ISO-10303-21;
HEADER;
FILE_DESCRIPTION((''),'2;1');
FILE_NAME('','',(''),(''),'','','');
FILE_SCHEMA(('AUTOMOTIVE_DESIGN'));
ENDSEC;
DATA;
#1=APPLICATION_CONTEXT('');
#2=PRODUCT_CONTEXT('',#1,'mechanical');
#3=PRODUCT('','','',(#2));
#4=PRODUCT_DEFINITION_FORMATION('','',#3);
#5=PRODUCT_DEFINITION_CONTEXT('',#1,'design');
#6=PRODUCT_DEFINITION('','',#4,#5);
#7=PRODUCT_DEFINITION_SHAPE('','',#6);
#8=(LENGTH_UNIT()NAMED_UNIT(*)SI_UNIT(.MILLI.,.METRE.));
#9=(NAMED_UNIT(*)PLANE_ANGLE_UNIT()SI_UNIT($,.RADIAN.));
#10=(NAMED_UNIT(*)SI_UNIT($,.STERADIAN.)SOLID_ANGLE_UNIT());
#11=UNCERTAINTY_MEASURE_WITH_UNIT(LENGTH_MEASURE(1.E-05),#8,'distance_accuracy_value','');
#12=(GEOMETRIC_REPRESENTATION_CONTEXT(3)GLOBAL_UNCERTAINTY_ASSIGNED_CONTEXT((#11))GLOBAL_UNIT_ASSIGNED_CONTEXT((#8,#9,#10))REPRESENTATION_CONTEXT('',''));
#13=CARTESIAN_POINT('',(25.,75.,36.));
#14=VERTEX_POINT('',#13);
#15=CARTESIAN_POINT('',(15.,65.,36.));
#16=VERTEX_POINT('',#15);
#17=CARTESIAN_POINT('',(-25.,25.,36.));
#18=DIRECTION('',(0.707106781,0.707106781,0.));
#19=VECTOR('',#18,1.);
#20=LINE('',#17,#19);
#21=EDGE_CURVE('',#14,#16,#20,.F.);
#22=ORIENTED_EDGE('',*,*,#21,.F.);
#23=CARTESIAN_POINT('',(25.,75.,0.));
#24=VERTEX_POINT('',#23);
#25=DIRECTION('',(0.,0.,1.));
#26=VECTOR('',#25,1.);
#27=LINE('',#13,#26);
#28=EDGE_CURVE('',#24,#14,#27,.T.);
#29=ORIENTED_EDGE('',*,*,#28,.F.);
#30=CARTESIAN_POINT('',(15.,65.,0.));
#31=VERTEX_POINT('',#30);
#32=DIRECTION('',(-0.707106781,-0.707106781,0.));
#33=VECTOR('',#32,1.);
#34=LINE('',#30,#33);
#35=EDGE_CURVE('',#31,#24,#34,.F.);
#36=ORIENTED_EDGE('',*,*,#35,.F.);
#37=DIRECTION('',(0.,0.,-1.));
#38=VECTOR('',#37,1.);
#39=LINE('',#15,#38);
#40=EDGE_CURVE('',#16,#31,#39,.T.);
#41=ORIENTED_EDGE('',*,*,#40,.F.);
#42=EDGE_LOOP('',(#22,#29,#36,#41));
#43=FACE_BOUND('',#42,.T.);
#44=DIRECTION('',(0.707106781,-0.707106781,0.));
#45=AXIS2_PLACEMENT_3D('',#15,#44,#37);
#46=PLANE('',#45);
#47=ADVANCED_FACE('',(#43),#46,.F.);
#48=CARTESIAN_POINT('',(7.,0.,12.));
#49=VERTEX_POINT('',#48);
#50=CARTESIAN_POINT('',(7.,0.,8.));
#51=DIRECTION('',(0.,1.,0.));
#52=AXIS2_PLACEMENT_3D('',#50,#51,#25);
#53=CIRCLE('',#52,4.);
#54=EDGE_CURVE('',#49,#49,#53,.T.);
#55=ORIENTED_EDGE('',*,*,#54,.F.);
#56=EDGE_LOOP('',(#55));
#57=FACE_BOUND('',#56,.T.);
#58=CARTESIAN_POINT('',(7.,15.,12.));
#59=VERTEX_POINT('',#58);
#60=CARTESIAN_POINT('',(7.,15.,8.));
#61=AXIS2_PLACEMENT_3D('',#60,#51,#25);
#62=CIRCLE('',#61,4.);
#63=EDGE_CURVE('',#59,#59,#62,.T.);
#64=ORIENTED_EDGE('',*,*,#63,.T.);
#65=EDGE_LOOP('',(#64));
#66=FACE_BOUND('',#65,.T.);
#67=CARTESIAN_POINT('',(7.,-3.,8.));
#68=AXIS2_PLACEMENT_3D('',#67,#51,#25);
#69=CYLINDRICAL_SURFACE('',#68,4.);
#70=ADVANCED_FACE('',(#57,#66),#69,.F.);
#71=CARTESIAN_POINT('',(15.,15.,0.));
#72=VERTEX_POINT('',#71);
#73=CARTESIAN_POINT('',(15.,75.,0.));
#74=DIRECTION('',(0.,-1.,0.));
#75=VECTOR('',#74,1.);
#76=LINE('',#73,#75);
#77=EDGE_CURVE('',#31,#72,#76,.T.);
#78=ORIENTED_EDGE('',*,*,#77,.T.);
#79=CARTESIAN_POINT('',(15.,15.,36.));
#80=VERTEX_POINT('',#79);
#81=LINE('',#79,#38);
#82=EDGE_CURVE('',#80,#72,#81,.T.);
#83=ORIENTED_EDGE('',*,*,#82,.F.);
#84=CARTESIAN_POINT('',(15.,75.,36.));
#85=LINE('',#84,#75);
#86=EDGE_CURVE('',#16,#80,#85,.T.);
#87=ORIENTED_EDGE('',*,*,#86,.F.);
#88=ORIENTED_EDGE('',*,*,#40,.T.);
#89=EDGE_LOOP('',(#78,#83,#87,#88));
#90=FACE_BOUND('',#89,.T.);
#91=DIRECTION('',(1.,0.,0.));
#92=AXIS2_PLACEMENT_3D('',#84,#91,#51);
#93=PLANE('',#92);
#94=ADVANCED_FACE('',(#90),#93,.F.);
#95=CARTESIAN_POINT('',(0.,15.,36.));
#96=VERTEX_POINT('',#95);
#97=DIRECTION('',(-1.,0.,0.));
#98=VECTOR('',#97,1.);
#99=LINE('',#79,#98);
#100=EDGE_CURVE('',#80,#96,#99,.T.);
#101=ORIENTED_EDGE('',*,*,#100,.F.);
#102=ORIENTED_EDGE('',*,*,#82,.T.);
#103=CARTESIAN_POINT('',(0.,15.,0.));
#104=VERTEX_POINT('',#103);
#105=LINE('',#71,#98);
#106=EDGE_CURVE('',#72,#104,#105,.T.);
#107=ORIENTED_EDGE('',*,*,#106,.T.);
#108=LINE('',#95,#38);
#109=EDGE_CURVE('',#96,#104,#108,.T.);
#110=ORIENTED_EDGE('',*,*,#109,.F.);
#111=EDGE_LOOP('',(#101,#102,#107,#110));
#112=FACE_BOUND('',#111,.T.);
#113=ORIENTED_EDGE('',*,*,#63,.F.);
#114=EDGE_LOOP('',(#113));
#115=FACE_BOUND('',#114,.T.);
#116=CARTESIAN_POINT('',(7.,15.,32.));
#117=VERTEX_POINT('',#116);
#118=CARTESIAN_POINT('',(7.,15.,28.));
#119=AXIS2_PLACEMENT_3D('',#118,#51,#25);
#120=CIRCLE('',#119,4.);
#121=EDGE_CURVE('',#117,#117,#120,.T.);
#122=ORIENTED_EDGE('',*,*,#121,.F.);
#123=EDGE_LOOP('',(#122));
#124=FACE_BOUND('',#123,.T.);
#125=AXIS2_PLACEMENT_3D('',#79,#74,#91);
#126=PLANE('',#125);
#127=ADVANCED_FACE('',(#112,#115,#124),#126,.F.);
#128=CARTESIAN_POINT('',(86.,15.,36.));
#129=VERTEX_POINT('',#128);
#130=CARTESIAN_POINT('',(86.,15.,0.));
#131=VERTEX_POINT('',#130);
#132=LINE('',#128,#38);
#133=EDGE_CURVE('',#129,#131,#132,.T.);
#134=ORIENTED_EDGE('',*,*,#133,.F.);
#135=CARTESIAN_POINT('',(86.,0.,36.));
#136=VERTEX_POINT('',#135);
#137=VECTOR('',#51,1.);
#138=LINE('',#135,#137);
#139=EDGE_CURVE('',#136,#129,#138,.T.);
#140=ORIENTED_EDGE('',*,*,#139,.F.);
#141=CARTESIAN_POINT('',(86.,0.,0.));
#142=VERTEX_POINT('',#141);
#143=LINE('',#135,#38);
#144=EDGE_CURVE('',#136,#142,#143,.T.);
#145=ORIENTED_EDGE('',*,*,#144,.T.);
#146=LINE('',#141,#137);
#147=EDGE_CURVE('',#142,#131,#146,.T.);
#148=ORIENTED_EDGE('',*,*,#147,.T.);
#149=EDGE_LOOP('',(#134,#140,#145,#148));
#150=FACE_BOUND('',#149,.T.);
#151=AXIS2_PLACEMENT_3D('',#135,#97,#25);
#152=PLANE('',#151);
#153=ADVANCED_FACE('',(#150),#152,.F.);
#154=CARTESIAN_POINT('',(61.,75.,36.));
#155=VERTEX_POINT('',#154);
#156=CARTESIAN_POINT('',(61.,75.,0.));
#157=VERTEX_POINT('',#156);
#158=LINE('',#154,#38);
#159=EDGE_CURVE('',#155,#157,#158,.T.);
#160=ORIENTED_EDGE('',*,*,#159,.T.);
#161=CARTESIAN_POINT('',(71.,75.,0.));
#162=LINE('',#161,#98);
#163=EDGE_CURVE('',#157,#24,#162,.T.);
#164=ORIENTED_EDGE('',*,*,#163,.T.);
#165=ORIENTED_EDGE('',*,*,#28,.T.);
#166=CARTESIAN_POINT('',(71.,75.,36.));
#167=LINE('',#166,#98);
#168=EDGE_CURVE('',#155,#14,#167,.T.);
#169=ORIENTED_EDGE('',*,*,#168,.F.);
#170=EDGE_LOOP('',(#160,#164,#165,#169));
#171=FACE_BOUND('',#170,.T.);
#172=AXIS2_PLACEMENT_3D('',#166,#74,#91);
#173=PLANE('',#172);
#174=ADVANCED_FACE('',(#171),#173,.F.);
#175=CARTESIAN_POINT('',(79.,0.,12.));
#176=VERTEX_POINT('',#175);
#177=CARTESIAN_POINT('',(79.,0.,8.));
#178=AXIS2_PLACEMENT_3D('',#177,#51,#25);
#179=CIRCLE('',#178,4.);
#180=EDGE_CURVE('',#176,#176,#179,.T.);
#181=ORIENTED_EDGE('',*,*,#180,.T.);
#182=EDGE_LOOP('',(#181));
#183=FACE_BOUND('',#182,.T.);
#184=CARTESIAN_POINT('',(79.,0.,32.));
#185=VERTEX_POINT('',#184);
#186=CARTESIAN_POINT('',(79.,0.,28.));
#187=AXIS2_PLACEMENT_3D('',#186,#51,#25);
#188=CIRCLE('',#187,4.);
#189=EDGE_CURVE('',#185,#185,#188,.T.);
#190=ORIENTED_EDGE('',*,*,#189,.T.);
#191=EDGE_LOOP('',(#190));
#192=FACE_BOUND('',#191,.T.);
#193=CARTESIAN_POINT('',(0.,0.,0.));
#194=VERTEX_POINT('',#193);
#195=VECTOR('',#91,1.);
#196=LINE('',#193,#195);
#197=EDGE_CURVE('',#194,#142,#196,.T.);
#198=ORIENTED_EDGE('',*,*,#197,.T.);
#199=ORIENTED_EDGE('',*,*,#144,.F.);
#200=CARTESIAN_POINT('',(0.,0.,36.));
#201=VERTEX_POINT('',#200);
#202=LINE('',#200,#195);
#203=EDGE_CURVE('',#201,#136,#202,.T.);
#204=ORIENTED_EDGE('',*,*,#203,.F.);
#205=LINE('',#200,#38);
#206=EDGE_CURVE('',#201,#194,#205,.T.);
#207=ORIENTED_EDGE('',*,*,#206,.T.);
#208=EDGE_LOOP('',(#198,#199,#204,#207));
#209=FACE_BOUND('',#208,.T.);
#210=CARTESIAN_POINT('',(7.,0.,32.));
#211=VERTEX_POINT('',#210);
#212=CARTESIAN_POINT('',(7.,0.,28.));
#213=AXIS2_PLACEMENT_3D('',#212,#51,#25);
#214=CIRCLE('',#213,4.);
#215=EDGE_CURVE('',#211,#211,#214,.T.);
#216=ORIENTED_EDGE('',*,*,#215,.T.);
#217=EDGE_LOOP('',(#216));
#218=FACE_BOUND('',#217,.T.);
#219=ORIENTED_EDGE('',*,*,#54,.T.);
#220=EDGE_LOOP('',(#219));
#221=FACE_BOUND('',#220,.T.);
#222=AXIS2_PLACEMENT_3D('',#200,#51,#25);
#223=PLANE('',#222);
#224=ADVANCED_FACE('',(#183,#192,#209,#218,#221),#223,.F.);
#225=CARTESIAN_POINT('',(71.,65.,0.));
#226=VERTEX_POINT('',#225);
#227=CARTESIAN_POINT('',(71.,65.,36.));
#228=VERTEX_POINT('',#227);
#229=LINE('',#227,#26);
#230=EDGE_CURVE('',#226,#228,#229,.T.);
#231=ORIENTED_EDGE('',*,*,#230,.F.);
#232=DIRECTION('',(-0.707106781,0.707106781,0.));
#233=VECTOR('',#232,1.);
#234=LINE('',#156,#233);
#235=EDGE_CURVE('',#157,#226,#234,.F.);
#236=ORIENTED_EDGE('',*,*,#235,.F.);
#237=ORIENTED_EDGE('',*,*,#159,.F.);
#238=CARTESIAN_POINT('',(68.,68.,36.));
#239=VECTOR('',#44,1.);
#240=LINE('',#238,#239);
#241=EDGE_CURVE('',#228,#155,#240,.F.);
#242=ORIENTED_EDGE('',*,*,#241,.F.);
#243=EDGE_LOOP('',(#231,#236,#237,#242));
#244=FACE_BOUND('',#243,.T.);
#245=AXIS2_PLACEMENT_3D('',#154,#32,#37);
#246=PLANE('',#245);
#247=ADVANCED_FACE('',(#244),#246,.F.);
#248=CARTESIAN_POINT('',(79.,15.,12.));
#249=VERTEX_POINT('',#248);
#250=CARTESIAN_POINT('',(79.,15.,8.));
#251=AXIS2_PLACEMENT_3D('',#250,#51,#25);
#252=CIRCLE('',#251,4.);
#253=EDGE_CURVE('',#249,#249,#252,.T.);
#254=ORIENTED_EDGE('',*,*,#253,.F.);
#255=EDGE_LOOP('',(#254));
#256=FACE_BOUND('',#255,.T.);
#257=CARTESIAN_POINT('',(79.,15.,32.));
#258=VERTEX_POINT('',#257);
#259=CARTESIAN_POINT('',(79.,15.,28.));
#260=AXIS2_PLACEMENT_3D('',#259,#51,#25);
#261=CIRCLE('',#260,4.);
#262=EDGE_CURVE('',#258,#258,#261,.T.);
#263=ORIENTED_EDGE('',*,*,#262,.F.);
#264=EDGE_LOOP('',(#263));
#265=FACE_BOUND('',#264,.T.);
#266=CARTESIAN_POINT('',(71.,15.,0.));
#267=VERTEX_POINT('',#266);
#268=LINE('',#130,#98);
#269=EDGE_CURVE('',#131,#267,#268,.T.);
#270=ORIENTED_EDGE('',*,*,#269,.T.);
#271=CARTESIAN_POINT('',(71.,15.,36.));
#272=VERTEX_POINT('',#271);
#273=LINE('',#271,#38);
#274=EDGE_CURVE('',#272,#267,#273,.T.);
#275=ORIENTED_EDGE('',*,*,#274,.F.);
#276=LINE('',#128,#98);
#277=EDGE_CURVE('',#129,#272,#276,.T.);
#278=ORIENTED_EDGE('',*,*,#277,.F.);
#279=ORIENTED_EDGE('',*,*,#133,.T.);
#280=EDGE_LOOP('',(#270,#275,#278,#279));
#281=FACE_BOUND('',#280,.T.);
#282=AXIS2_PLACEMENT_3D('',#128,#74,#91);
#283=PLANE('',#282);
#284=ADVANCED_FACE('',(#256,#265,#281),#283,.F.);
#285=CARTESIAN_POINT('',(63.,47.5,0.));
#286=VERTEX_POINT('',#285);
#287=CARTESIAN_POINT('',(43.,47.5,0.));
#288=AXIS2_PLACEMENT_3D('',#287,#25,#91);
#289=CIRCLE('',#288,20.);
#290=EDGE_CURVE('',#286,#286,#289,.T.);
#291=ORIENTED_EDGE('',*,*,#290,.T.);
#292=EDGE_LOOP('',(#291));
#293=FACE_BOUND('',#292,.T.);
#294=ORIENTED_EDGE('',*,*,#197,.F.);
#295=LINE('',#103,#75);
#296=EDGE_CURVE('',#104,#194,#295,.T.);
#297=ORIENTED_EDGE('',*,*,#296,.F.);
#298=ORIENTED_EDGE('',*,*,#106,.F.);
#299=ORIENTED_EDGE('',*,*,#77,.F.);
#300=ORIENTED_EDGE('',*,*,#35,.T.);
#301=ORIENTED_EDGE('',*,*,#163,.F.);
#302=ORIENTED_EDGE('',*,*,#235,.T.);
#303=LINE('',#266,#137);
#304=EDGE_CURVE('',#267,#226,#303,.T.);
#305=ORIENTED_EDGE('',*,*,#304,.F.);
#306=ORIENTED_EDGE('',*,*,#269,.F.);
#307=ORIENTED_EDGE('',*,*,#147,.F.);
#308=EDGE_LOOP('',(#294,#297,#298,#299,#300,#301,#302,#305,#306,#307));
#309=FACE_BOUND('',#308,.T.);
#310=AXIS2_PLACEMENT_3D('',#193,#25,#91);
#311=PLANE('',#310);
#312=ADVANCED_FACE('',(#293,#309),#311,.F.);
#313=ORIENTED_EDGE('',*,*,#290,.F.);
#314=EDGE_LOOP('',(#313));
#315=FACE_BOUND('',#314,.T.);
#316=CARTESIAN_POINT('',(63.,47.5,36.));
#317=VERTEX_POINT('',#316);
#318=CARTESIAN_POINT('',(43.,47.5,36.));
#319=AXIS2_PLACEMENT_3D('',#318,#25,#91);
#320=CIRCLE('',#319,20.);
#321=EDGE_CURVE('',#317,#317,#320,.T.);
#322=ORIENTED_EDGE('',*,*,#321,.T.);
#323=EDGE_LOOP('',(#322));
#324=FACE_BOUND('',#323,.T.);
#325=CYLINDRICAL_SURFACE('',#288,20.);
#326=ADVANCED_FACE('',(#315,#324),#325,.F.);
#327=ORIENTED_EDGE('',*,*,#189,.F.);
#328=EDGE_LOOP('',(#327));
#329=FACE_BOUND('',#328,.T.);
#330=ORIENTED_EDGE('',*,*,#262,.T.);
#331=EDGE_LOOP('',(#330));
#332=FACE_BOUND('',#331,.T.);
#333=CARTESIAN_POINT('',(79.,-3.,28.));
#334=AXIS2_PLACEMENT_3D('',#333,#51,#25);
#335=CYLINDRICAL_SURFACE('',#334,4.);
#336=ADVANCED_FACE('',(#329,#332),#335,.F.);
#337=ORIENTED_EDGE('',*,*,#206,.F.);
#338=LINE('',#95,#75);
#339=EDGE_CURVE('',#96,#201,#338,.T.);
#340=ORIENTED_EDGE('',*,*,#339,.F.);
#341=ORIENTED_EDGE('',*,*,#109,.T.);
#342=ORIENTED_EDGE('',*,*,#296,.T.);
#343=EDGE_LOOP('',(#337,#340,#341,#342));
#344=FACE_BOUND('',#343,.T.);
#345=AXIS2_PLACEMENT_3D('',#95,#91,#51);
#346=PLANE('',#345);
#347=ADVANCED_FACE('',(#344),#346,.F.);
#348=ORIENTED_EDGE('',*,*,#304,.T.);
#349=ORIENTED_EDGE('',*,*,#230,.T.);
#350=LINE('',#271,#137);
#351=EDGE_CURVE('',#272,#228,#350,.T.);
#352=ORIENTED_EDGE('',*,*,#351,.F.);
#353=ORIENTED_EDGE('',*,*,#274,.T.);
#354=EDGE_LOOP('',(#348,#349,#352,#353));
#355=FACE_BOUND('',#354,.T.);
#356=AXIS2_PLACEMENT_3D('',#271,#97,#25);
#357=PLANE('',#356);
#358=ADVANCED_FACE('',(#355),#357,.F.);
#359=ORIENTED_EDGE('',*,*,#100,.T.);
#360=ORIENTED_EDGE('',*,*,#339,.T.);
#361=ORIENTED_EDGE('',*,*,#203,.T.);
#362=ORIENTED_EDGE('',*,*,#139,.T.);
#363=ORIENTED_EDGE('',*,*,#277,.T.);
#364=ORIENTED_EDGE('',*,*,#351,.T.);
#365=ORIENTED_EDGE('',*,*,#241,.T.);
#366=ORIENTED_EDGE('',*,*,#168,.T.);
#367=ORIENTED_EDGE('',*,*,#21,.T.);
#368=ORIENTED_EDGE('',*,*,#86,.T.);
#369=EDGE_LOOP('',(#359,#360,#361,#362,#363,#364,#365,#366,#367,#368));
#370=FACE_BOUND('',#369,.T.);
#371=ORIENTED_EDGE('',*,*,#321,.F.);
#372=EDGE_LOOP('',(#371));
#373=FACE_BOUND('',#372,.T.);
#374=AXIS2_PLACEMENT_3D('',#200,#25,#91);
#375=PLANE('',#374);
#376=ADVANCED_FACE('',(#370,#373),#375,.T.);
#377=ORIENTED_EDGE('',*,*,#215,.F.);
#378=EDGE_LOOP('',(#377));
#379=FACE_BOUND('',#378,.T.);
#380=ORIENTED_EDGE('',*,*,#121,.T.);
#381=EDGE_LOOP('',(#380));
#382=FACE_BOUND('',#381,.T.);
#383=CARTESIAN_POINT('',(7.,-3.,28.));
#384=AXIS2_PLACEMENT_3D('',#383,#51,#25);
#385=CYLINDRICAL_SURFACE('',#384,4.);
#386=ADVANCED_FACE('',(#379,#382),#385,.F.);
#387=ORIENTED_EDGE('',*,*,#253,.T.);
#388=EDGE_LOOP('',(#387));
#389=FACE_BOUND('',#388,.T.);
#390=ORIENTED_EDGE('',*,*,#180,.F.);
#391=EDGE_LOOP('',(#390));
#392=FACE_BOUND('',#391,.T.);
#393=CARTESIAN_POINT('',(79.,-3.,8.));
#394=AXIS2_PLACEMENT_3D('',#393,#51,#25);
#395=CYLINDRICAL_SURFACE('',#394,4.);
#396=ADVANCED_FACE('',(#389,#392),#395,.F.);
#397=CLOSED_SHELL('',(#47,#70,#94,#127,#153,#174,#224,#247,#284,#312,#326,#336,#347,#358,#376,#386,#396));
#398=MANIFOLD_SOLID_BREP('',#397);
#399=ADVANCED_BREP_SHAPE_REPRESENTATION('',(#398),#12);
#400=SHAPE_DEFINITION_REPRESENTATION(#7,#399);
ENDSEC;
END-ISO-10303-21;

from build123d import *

# Parameters (mm, degrees)
DODANIE_WYCI_GNI_CIE1_DEPTH = 36
SZKIC2_R                    = 20
WYTNIJ_WYCI_GNI_CIE1_DEPTH  = 36
SFAZOWANIE1_SIZE            = 10
SZKIC3_R                    = 4
WYTNIJ_WYCI_GNI_CIE2_DEPTH  = 18


with BuildPart() as part:
    # Szkic1 → Dodanie-wyciągnięcie1 (new body)
    with BuildSketch(Plane.XY):
        Polygon((0, 0), (86, 0), (86, 15), (71, 15), (71, 75), (15, 75), (15, 15), (0, 15), align=None)
    extrude(amount=DODANIE_WYCI_GNI_CIE1_DEPTH)

    # Szkic2 → Wytnij-wyciągnięcie1 (cut)
    with BuildSketch(Plane.XY.offset(36)):
        with Locations((43, 47.5)):
            Circle(SZKIC2_R)
    extrude(amount=-WYTNIJ_WYCI_GNI_CIE1_DEPTH, mode=Mode.SUBTRACT)

    # Sfazowanie1
    sfazowanie1_edges = [part.edges().sort_by_distance(p)[0] for p in [
        (15, 75, 18),
        (71, 75, 18),
    ]]
    chamfer(sfazowanie1_edges, length=SFAZOWANIE1_SIZE)

    # Szkic3 → Wytnij-wyciągnięcie2 (cut)
    with BuildSketch(Plane(origin=(0, 15, 0), x_dir=(1, 0, 0), z_dir=(0, 1, 0))):
        with Locations((79, -8)):
            Circle(SZKIC3_R)
        with Locations((7, -8)):
            Circle(SZKIC3_R)
        with Locations((79, -28)):
            Circle(SZKIC3_R)
        with Locations((7, -28)):
            Circle(SZKIC3_R)
    extrude(amount=-WYTNIJ_WYCI_GNI_CIE2_DEPTH, mode=Mode.SUBTRACT)


solid = part.part
